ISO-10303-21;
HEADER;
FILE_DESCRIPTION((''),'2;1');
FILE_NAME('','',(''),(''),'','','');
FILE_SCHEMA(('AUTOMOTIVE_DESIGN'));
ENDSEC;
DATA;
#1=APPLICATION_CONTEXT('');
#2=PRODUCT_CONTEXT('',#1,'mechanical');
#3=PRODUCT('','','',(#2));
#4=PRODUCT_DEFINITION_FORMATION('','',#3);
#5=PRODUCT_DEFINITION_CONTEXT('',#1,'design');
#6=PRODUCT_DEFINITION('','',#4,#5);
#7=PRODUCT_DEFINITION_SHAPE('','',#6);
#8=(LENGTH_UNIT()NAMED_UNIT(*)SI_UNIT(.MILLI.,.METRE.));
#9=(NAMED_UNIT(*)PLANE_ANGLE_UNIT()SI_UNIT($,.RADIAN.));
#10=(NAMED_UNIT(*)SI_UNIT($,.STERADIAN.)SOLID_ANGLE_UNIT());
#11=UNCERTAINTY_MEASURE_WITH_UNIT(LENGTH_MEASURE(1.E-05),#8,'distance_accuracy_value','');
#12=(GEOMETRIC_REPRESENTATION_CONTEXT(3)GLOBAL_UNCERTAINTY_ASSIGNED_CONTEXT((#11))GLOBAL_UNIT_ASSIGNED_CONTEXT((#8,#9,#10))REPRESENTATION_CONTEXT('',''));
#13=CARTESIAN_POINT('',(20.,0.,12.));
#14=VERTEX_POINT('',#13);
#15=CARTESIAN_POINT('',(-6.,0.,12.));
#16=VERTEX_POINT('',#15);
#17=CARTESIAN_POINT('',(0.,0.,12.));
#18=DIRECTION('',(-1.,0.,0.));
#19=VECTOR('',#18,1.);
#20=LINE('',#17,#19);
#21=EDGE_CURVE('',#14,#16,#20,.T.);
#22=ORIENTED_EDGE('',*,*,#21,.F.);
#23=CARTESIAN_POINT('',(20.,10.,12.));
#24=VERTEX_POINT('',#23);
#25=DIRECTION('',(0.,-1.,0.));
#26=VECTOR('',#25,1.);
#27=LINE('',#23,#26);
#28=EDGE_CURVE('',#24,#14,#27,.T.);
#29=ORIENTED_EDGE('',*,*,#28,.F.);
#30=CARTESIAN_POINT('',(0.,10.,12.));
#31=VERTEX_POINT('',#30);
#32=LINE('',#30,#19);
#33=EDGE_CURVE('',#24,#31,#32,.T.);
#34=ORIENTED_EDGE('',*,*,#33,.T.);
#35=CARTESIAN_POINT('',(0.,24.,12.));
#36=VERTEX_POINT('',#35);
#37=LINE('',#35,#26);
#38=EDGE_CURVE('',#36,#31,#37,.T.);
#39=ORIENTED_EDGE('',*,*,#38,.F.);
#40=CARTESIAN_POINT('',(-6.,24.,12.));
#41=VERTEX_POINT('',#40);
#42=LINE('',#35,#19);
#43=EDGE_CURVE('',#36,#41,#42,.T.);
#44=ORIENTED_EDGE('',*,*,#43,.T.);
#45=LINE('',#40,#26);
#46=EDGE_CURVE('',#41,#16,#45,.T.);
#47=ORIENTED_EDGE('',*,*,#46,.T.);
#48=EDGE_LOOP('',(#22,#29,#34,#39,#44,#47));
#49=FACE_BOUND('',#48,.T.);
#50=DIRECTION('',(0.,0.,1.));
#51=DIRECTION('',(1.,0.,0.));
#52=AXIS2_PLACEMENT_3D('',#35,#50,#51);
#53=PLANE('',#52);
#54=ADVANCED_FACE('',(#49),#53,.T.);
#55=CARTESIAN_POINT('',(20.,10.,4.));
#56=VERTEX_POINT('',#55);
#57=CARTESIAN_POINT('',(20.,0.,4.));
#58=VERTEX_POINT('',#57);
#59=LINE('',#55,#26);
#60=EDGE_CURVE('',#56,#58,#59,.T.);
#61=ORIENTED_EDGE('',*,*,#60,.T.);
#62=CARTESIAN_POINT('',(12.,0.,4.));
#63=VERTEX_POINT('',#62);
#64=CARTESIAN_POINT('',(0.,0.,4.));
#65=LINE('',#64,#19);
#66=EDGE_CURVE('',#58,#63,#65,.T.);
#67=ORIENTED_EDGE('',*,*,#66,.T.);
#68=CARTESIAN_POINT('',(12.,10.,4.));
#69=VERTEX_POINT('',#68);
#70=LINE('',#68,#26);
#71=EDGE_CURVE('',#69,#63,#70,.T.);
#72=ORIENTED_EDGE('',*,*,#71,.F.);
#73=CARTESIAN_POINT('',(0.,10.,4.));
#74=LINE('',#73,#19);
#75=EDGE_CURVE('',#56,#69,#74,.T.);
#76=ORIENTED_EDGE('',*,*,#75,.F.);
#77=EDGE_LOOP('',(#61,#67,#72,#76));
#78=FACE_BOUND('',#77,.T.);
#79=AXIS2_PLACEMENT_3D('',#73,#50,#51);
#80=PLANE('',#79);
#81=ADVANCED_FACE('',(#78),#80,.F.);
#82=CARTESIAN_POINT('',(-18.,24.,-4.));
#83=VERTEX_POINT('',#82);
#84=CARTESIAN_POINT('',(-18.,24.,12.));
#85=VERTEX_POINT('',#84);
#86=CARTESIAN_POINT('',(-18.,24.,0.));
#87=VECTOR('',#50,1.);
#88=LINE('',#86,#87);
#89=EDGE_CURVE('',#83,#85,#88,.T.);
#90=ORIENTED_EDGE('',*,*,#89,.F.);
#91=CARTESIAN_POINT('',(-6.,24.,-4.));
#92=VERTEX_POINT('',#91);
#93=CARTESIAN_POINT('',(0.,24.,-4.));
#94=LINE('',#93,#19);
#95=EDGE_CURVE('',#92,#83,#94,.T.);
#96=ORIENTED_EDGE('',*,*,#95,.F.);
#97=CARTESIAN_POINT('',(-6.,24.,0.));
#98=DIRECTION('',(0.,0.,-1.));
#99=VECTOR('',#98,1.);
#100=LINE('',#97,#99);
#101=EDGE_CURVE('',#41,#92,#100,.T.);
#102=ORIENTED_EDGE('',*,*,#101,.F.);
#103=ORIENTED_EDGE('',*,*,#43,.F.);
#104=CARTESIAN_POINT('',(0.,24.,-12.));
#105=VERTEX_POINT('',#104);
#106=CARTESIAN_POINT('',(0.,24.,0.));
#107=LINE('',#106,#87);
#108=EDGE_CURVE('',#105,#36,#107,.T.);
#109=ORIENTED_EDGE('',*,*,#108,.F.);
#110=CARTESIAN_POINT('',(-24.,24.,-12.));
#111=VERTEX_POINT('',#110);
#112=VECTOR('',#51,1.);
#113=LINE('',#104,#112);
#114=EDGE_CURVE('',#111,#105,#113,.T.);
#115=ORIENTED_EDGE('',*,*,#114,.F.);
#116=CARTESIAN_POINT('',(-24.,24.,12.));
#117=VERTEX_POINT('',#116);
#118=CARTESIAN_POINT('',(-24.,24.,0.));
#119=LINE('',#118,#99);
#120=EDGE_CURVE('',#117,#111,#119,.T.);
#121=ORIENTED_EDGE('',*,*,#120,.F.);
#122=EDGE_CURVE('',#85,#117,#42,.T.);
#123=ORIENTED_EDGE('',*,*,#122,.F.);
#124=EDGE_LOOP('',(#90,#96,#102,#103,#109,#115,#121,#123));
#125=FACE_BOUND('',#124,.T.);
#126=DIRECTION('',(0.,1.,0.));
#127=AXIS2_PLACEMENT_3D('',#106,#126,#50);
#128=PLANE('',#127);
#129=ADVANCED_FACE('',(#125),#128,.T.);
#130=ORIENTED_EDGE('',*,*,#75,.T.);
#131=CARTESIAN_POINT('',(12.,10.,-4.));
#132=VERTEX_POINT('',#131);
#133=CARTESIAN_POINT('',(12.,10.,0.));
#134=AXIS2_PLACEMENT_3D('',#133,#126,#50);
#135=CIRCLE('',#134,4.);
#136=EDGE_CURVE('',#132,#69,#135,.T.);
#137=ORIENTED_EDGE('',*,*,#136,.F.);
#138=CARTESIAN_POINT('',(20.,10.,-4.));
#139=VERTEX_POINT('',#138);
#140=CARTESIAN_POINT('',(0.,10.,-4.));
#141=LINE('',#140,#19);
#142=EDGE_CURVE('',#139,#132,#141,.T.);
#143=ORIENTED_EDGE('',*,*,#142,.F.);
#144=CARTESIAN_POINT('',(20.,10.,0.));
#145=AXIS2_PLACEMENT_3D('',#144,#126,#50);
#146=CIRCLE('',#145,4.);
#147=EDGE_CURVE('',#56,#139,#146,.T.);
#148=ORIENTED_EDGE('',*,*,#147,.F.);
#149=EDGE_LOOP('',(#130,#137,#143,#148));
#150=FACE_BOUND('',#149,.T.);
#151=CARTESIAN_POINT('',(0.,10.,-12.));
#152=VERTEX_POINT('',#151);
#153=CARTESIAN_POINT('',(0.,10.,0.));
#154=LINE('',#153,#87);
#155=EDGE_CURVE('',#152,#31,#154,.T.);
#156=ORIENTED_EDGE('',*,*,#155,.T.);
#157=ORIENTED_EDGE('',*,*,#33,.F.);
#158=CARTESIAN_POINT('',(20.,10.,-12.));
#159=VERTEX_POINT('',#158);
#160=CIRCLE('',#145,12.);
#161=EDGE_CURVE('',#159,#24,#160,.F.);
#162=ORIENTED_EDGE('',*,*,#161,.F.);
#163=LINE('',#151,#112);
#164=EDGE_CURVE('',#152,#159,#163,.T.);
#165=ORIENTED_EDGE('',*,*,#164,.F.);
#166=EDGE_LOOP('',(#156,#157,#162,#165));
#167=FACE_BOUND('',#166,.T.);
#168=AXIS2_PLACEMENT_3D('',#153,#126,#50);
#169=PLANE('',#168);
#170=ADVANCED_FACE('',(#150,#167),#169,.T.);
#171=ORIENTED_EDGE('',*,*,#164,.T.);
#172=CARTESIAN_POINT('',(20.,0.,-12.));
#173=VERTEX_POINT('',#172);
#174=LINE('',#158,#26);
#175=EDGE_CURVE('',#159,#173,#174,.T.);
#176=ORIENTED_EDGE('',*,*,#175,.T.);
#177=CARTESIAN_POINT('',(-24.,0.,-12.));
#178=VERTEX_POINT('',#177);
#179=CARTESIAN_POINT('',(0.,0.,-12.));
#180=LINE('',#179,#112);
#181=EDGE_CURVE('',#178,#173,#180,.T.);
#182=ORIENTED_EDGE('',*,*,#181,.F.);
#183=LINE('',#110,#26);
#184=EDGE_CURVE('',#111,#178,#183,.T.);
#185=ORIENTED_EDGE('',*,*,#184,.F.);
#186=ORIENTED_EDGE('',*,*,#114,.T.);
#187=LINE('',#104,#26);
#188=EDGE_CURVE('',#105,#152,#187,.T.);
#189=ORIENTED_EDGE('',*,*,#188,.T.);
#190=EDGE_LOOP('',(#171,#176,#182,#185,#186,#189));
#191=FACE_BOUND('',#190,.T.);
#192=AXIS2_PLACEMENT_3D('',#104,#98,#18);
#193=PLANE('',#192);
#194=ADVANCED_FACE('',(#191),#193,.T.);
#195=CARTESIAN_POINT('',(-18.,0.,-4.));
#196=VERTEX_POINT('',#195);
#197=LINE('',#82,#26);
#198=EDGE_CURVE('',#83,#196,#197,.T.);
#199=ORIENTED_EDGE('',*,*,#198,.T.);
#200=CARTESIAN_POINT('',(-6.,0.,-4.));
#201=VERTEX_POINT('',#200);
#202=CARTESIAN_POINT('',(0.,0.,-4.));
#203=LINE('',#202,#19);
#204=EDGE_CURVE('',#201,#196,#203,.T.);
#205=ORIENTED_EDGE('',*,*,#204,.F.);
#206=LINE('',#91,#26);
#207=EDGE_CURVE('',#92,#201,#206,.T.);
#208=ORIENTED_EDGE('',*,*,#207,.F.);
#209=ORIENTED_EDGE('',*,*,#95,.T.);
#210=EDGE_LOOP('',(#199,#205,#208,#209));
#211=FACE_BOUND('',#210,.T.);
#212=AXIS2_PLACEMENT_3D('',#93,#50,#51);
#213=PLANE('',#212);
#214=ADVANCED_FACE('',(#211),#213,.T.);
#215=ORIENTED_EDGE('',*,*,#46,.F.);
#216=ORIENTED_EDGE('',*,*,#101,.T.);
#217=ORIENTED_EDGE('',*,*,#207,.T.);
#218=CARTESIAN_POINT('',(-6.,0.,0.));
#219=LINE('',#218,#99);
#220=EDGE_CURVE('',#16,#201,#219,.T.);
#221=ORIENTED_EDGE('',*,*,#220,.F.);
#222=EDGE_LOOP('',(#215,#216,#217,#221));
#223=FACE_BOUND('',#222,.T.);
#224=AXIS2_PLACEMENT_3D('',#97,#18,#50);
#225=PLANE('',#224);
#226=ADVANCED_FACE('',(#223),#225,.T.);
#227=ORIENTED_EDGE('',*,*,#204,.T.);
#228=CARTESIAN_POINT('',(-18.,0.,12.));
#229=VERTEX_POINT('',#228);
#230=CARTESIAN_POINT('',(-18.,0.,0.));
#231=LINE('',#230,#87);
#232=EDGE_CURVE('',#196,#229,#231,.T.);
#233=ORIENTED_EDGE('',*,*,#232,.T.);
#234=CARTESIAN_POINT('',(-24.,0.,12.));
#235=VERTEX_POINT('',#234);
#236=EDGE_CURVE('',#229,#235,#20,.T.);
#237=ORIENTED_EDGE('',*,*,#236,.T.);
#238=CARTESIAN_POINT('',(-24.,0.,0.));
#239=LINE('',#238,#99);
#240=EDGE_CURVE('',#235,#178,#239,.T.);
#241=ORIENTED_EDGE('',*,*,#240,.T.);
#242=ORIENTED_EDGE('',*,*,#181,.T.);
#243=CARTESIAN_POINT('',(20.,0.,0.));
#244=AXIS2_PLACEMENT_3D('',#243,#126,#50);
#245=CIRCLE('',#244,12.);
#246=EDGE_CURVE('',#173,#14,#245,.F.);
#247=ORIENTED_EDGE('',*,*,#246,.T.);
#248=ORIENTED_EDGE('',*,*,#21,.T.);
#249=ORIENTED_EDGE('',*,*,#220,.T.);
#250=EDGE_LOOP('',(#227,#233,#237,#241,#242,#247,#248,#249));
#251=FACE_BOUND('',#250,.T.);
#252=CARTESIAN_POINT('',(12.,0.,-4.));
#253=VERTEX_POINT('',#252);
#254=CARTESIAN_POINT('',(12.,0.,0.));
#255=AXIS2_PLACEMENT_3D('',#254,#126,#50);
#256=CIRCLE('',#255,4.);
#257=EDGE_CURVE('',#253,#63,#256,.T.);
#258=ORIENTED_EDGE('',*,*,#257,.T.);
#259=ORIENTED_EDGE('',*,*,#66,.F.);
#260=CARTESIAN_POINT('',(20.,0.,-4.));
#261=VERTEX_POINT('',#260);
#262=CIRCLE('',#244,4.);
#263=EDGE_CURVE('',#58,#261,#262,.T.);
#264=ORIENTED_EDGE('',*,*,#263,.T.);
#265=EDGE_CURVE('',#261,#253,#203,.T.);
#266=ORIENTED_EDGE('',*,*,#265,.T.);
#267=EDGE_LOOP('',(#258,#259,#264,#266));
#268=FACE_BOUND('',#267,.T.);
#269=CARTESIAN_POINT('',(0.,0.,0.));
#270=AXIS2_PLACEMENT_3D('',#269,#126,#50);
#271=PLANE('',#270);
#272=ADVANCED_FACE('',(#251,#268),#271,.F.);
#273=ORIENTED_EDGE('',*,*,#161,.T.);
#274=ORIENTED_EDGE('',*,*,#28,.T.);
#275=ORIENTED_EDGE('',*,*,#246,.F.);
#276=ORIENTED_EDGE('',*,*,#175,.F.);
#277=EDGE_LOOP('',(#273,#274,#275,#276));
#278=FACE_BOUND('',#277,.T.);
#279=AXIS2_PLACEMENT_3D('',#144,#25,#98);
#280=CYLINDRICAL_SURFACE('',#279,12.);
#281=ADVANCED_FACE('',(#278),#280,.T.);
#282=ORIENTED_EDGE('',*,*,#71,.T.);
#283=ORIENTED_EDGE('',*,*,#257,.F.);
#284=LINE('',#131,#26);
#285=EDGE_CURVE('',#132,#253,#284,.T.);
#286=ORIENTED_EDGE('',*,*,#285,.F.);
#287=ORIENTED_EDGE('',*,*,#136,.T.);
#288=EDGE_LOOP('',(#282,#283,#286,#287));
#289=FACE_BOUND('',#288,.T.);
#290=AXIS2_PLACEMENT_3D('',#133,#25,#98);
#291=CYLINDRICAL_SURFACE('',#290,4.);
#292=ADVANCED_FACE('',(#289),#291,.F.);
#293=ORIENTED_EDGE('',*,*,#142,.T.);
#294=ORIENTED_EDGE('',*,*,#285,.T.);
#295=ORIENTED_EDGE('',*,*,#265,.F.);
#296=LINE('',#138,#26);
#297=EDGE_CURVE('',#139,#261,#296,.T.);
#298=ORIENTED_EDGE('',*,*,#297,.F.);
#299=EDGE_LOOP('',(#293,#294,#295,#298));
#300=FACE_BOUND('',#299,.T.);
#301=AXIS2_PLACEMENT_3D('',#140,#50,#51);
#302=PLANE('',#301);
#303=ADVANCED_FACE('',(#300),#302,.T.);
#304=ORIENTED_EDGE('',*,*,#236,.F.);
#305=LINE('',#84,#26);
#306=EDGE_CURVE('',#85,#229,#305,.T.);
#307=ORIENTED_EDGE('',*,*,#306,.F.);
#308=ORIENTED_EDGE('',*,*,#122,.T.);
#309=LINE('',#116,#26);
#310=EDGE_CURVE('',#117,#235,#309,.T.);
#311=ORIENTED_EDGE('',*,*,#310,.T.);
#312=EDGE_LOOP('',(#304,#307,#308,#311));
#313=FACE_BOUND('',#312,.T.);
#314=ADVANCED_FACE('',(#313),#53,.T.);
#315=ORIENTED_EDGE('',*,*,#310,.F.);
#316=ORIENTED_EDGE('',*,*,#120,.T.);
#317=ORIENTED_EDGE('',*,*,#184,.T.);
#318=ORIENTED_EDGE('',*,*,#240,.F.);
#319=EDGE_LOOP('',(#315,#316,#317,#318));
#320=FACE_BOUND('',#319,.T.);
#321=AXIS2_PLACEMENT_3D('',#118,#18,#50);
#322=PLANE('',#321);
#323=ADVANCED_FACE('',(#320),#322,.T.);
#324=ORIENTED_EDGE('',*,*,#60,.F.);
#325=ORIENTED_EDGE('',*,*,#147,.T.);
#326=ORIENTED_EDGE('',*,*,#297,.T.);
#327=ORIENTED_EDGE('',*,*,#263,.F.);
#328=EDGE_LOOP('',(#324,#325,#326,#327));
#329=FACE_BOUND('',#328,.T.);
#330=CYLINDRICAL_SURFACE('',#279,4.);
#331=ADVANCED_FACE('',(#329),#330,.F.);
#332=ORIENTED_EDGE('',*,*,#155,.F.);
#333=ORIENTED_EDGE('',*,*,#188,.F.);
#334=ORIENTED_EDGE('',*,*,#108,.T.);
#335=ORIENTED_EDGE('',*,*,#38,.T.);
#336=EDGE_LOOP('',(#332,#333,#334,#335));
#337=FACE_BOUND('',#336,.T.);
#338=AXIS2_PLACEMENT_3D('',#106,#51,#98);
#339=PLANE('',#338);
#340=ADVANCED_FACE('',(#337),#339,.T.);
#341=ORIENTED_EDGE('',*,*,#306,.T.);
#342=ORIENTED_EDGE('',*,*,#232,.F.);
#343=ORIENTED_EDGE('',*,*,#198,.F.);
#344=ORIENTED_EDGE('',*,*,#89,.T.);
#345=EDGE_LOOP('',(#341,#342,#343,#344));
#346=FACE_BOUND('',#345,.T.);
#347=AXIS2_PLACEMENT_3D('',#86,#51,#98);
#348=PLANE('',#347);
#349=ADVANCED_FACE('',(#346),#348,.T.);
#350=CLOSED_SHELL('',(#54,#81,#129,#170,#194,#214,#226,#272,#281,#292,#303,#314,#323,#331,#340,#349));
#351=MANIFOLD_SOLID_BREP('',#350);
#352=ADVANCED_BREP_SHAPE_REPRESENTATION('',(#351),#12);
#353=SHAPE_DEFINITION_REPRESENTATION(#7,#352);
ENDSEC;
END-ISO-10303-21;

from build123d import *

# Parameters (mm, degrees)
BOSS_EXTRUDE1_DEPTH = 24
BOSS_EXTRUDE2_DEPTH = 10


with BuildPart() as part:
    # Sketch1 → Boss-Extrude1 (new body)
    with BuildSketch(Plane(origin=(0, 0, 0), x_dir=(1, 0, 0), z_dir=(0, 1, 0))):
        Polygon((0, -12), (0, 12), (-24, 12), (-24, -12), (-18, -12), (-18, 4), (-6, 4), (-6, -12), align=None)
    extrude(amount=BOSS_EXTRUDE1_DEPTH)

    # Sketch1<3> → Boss-Extrude2 (add)
    with BuildSketch(Plane(origin=(0, 0, 0), x_dir=(1, 0, 0), z_dir=(0, 1, 0))):
        with BuildLine():
            Line((20, 12), (0, 12))
            Line((0, 12), (0, -12))
            Line((0, -12), (20, -12))
            ThreePointArc((20, -12), (32, 0), (20, 12))
        make_face()
        with BuildLine():
            ThreePointArc((20, 4), (24, 0), (20, -4))
            Line((20, -4), (12, -4))
            ThreePointArc((12, -4), (8, 0), (12, 4))
            Line((12, 4), (20, 4))
        make_face(mode=Mode.SUBTRACT)
    extrude(amount=BOSS_EXTRUDE2_DEPTH)


solid = part.part
